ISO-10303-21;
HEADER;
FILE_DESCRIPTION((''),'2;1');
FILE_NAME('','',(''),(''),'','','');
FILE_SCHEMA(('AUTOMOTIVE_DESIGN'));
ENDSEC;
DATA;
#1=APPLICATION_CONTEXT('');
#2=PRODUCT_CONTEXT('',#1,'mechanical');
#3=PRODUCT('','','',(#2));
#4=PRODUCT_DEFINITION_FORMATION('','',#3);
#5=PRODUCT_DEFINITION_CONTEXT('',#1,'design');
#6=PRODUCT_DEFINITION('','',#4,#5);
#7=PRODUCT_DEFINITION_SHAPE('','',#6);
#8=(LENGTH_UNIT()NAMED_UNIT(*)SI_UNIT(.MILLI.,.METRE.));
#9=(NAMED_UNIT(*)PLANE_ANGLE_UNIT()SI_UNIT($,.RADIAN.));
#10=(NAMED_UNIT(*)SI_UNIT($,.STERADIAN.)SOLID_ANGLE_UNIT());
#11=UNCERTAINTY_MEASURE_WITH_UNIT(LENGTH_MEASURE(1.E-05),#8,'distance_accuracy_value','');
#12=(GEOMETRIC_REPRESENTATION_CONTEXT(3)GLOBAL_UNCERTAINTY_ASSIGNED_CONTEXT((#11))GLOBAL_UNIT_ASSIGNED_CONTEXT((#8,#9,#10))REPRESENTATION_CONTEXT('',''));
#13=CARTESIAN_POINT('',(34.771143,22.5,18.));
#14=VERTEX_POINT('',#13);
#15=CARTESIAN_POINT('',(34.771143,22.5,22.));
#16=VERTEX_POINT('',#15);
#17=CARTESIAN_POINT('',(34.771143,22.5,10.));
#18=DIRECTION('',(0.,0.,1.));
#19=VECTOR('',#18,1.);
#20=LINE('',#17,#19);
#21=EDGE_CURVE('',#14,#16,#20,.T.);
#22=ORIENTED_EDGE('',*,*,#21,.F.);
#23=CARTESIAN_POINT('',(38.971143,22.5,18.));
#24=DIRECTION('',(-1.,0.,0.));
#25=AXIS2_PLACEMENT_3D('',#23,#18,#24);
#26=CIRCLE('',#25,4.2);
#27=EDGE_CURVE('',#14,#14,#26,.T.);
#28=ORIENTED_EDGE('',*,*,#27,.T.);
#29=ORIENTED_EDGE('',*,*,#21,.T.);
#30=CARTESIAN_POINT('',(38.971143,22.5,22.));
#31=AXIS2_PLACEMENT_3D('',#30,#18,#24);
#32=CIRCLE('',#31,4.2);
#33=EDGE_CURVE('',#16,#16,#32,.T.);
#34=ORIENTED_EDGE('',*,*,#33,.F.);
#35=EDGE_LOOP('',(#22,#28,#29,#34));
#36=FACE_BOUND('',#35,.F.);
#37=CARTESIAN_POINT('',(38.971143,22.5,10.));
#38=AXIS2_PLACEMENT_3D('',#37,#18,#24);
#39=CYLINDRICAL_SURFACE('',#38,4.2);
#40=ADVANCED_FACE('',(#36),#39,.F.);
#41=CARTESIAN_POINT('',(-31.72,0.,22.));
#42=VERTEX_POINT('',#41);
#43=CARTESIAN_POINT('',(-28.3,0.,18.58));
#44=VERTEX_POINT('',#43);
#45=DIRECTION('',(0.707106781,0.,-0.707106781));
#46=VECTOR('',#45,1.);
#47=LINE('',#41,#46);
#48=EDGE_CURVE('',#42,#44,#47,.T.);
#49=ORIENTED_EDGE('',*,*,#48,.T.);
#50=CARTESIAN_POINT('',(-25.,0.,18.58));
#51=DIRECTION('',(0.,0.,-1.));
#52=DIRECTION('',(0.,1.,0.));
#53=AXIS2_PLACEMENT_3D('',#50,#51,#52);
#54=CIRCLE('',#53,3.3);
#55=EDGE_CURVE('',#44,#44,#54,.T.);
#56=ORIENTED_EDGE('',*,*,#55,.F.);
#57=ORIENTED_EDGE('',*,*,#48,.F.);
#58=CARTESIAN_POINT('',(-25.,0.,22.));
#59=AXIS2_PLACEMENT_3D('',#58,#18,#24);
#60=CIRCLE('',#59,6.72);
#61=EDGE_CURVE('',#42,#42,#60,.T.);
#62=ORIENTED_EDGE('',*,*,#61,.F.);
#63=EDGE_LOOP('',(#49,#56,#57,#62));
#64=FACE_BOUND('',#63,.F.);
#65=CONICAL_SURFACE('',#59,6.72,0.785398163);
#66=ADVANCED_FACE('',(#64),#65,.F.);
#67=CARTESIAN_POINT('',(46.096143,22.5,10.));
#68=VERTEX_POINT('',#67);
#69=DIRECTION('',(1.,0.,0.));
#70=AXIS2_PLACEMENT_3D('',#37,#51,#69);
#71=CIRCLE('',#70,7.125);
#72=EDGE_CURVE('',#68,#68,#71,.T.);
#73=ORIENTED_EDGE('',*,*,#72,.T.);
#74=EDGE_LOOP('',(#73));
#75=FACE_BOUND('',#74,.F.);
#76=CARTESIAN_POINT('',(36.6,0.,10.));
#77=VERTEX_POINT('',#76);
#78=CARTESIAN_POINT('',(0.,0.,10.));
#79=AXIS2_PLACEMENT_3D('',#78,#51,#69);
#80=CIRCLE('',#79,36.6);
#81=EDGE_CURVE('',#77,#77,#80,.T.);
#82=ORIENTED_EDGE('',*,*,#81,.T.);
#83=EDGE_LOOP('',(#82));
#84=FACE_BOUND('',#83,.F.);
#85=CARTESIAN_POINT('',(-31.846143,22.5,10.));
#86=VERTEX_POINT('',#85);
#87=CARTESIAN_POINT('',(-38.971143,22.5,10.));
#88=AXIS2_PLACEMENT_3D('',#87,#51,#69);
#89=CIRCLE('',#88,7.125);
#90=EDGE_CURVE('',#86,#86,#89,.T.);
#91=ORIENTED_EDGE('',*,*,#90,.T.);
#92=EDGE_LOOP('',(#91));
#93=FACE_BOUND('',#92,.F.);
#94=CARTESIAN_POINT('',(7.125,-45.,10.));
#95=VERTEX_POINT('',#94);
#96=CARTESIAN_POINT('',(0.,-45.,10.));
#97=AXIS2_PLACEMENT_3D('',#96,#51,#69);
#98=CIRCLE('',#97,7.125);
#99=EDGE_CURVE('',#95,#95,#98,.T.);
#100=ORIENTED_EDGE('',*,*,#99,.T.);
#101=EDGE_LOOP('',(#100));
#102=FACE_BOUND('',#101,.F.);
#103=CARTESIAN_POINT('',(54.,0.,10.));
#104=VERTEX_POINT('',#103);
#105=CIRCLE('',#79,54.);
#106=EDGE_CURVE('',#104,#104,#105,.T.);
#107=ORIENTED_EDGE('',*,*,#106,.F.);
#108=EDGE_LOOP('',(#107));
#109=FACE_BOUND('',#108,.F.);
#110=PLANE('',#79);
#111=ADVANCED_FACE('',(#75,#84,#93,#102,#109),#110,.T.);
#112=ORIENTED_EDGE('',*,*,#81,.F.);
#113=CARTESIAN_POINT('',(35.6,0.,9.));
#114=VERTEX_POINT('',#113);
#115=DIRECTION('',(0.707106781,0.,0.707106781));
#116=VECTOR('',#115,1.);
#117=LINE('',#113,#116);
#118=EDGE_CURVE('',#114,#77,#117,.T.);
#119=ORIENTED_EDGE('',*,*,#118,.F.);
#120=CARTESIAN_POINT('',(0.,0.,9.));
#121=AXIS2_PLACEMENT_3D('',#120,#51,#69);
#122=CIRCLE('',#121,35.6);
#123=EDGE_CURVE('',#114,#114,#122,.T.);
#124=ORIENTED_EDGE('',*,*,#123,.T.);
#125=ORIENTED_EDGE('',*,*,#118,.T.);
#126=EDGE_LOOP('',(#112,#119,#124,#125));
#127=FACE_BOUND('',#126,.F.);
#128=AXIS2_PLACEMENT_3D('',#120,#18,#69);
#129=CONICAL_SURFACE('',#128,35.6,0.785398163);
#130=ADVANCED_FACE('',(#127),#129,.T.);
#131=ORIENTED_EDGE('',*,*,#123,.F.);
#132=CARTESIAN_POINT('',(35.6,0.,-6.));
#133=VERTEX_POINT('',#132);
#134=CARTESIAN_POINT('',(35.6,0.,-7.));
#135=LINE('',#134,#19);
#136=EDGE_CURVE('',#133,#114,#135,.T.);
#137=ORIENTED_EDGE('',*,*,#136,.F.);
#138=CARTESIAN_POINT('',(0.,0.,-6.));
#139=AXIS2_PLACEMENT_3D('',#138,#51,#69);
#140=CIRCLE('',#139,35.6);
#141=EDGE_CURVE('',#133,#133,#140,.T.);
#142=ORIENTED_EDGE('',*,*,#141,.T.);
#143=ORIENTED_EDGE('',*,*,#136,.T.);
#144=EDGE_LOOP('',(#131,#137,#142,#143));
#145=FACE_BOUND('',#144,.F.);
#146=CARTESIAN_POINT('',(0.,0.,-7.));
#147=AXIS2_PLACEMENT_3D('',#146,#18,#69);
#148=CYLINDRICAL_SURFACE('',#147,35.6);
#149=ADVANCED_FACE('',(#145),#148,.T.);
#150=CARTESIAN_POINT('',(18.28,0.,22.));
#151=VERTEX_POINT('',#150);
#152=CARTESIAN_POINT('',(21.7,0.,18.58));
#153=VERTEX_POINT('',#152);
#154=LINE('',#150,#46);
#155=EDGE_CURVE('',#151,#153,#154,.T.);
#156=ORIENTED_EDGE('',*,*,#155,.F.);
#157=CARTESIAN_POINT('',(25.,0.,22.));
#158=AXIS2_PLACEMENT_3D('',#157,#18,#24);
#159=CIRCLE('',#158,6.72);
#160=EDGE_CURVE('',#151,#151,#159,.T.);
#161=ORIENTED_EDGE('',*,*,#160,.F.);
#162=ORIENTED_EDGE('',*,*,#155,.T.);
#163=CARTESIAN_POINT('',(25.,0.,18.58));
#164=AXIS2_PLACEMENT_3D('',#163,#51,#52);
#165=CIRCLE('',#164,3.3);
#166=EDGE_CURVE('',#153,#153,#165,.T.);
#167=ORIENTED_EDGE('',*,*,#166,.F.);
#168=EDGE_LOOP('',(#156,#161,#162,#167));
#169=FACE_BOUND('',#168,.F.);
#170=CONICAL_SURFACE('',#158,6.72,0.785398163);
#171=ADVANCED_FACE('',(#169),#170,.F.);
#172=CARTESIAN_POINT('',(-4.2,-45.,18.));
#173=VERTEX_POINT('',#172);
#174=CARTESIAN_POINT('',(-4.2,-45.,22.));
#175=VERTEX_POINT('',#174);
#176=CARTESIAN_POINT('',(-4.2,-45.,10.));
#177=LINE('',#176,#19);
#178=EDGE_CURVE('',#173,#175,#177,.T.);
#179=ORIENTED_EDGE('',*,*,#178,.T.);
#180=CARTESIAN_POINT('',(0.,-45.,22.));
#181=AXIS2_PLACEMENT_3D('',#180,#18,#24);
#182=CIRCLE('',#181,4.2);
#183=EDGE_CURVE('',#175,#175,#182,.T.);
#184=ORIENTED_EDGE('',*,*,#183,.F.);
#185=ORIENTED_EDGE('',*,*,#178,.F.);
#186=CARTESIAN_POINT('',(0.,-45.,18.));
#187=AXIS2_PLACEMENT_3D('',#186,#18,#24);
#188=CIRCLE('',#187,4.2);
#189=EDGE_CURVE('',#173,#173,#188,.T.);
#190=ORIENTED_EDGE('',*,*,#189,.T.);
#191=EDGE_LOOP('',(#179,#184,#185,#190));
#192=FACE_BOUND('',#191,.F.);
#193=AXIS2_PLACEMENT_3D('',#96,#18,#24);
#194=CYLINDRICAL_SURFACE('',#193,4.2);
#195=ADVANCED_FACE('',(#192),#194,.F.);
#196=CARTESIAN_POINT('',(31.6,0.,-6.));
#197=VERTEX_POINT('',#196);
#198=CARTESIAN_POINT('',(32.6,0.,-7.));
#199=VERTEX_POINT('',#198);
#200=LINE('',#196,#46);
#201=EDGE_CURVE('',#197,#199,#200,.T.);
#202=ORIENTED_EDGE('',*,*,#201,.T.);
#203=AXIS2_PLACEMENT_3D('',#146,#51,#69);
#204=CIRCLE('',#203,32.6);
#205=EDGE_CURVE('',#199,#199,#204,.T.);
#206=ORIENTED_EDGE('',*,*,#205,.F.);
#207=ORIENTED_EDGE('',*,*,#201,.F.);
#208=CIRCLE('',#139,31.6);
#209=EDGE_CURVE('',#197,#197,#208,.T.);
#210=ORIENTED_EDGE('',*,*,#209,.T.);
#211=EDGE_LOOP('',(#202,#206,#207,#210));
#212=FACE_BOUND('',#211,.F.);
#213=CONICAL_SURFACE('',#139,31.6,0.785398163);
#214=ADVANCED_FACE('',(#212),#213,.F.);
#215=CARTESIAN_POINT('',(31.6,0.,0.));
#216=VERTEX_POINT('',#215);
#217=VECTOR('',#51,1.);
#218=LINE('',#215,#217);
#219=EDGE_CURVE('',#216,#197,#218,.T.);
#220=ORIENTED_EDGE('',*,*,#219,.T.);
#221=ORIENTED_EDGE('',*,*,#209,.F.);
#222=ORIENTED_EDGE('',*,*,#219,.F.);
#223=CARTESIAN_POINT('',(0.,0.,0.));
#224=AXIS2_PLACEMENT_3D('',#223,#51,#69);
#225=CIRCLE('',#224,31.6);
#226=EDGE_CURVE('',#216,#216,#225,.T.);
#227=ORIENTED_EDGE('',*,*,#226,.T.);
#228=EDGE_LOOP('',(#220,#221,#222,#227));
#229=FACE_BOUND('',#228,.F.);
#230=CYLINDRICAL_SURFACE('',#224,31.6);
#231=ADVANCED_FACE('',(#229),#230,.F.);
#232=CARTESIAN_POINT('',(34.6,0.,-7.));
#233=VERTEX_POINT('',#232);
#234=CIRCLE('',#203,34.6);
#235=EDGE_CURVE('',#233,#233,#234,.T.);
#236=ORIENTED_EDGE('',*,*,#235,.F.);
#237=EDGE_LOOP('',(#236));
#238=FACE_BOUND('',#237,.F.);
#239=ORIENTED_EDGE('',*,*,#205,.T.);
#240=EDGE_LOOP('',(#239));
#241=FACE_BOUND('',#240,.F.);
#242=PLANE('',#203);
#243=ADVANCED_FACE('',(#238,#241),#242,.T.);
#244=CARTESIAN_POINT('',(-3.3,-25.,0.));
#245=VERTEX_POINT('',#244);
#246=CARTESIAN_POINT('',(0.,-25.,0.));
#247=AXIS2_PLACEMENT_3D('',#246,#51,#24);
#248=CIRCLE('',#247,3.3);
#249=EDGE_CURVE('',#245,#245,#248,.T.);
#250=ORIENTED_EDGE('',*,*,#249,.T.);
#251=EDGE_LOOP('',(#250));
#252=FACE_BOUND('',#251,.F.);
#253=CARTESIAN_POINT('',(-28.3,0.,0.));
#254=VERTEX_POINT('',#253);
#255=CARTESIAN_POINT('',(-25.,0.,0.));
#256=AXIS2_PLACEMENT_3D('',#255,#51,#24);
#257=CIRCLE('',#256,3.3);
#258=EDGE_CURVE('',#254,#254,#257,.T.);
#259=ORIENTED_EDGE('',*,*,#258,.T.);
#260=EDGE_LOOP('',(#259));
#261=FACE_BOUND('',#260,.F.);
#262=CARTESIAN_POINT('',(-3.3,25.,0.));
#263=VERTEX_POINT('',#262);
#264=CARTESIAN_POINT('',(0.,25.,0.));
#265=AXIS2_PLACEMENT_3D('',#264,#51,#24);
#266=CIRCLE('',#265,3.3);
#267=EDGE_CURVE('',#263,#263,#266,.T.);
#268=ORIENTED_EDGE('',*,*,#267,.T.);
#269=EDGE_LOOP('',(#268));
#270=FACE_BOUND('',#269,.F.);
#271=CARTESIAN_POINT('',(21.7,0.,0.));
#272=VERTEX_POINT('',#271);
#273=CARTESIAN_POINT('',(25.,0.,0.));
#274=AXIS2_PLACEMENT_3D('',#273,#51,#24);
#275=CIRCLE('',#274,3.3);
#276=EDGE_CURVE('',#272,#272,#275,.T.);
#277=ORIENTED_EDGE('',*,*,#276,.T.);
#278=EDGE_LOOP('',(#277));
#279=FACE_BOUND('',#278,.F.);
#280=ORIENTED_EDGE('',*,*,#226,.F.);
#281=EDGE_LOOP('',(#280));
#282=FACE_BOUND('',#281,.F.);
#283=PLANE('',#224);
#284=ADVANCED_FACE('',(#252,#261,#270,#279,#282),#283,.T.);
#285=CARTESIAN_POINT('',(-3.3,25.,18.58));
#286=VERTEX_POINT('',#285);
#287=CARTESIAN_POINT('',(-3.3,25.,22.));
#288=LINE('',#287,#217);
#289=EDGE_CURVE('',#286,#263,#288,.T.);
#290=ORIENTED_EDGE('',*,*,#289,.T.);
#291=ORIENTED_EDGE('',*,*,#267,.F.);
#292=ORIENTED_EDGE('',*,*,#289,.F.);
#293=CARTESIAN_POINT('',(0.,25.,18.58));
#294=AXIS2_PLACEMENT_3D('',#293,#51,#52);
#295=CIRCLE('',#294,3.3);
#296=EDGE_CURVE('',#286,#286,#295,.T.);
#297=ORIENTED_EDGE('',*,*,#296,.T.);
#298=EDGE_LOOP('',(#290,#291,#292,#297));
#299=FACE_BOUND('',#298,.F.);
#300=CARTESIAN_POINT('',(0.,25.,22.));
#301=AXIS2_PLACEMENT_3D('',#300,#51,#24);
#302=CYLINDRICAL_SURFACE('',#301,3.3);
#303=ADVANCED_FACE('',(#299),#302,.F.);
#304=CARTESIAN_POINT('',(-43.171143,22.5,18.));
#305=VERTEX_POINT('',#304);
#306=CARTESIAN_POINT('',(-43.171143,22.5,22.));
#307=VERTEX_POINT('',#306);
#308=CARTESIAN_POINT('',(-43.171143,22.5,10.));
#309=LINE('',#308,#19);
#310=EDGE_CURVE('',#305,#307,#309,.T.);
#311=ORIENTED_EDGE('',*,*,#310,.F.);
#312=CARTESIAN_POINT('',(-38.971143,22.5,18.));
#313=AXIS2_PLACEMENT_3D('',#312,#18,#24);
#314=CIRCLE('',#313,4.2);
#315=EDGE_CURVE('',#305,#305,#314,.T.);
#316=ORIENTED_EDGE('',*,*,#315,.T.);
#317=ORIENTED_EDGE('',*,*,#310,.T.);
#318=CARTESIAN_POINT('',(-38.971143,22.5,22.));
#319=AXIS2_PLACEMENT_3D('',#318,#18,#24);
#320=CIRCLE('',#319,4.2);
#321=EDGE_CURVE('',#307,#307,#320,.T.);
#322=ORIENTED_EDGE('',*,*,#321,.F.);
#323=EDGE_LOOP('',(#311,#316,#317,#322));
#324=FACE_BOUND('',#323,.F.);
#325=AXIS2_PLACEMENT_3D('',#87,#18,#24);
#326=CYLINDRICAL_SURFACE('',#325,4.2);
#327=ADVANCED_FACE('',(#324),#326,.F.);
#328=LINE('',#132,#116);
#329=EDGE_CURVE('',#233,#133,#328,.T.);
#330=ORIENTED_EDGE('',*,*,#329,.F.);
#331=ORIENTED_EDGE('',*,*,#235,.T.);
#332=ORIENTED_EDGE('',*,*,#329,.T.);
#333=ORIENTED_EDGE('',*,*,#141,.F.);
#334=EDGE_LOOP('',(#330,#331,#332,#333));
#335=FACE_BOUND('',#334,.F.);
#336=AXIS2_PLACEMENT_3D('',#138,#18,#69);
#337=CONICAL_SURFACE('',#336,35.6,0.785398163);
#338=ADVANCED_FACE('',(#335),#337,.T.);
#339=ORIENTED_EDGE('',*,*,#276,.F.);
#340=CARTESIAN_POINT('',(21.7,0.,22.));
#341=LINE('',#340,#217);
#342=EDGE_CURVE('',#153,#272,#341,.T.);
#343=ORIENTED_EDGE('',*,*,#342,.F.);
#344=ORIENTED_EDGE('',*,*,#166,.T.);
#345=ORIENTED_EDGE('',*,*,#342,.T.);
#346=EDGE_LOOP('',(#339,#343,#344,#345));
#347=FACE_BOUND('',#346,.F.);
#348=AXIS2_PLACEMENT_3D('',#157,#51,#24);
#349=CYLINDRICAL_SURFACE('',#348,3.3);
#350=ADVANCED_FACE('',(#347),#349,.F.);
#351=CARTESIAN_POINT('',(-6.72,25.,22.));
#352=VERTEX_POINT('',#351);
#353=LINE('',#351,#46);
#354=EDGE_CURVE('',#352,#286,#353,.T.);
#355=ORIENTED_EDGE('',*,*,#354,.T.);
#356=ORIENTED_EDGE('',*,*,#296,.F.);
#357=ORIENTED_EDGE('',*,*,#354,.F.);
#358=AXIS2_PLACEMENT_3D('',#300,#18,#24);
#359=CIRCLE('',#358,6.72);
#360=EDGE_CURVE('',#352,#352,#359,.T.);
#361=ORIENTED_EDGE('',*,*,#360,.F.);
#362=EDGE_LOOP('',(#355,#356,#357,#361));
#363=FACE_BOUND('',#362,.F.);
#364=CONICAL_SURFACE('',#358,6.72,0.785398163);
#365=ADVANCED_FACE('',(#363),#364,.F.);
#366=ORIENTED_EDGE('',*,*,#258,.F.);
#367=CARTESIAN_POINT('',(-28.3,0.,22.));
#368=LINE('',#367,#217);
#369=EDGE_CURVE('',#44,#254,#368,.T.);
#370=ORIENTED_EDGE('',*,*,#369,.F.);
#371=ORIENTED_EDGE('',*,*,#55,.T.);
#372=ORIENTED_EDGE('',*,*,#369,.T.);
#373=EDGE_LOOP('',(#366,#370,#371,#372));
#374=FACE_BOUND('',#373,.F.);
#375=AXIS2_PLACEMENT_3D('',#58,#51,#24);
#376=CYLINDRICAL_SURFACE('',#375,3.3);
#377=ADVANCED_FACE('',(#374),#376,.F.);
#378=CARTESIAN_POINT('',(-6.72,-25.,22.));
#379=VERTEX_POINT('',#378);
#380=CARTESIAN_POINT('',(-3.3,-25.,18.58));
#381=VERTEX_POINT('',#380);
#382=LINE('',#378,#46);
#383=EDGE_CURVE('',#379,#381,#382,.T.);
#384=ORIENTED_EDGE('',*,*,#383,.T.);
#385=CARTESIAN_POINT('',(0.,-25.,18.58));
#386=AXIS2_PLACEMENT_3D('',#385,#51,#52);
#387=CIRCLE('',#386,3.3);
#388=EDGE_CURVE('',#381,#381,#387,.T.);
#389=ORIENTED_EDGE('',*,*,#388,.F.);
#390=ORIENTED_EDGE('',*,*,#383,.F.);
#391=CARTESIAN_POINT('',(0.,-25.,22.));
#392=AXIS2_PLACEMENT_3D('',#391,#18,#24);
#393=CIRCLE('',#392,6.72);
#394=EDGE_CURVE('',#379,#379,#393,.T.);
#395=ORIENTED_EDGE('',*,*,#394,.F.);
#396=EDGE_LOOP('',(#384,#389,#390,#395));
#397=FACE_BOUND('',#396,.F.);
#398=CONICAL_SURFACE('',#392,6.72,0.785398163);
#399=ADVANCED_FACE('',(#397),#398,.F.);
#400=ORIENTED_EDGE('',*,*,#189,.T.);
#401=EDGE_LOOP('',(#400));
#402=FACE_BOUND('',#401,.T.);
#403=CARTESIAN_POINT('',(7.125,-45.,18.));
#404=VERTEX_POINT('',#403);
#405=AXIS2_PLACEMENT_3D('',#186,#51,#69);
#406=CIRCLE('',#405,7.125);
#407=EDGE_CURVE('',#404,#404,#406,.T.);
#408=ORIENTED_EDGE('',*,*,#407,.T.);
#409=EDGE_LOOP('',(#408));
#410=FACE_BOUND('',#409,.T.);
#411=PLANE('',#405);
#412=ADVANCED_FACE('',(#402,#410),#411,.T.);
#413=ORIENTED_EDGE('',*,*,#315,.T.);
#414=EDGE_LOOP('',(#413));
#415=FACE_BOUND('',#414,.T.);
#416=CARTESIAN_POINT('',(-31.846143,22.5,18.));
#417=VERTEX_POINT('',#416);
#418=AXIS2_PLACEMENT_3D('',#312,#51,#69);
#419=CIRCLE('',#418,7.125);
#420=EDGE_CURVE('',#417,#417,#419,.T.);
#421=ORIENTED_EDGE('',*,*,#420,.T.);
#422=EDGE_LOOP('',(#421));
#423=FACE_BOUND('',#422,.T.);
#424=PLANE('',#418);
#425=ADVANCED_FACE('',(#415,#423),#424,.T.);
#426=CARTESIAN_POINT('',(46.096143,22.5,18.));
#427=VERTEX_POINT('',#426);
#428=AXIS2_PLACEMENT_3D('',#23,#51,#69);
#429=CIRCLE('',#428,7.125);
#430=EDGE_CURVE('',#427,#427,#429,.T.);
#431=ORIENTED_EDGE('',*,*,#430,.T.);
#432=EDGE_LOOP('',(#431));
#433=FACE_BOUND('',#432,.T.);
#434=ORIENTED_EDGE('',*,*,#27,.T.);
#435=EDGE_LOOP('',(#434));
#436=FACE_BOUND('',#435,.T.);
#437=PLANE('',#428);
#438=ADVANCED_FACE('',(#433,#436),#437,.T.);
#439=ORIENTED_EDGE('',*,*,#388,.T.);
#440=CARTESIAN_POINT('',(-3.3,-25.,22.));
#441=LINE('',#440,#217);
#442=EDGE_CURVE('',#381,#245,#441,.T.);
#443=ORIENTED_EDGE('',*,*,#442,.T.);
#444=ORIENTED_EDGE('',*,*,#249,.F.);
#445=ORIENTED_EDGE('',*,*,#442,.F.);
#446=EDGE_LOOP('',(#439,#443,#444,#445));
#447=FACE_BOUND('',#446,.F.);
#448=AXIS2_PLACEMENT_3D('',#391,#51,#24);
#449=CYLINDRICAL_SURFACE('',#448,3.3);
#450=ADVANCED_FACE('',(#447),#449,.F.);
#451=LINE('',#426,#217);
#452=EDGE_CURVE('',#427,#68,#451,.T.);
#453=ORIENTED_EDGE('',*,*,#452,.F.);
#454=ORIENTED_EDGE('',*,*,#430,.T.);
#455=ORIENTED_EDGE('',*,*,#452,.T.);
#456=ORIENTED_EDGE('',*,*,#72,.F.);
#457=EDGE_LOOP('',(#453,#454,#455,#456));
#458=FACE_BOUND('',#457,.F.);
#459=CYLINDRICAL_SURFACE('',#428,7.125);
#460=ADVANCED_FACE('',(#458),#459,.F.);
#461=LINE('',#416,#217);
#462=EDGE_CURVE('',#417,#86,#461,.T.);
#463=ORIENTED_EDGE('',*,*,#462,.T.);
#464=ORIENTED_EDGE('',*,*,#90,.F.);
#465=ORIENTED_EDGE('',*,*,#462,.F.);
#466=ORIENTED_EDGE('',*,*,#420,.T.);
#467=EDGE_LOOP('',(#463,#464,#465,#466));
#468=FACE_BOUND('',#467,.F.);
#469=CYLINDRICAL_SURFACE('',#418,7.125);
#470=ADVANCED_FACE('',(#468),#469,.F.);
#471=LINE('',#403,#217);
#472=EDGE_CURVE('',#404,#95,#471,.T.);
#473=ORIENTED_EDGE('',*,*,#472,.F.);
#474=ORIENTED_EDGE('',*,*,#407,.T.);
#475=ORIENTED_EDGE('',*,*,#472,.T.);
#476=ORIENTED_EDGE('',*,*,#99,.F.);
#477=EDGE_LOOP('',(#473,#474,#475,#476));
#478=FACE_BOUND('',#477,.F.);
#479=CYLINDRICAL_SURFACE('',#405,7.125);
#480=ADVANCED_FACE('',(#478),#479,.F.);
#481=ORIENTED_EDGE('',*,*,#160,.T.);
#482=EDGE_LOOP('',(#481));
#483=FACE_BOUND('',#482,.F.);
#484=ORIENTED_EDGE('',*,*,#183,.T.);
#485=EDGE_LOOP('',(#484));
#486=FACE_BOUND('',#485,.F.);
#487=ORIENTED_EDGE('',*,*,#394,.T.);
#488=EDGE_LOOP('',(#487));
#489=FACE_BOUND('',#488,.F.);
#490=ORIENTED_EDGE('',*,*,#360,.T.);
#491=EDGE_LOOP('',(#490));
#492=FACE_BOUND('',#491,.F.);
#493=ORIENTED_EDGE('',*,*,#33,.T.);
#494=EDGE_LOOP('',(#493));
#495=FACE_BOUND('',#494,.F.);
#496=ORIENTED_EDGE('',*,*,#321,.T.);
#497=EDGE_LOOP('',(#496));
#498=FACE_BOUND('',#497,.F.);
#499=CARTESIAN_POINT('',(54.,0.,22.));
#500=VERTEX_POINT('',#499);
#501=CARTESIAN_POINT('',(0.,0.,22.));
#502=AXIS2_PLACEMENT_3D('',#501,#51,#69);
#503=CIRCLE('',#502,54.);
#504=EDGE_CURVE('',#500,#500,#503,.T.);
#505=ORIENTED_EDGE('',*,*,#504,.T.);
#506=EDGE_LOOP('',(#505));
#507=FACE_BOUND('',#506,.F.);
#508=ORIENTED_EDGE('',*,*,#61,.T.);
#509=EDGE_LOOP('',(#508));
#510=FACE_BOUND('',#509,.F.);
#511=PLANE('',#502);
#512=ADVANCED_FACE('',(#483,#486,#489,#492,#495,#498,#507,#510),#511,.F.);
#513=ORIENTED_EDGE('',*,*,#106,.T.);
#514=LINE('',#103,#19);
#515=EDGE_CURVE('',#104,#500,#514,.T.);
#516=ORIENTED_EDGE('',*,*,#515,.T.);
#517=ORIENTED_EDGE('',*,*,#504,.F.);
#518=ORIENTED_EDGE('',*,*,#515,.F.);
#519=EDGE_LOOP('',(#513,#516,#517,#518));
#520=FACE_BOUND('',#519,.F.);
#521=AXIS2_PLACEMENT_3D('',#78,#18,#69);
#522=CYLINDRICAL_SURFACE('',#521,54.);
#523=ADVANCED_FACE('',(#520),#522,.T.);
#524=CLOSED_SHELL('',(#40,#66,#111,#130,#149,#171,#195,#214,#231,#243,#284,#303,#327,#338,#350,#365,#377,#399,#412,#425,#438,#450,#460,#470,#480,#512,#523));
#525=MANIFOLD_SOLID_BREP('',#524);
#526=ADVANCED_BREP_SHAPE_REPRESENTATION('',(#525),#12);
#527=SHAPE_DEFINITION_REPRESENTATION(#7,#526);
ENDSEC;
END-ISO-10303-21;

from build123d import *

# Parameters (mm, degrees)
F2_SIZE        = 1
F4_D           = 6.6
F4_CSINK_D     = 13.44
F4_CSINK_ANGLE = 90
F6_D           = 8.4
F6_CBORE_D     = 14.25
F6_CBORE_DEPTH = 8


with BuildPart() as f1:
    # F0 (on Front) → F1 (revolve)
    with BuildSketch(Plane.XZ):
        Polygon((0, 10), (0, 0), (31.6, 0), (31.6, -7), (35.6, -7), (35.6, 10), align=None)
        Polygon((0, 22), (0, 10), (35.6, 10), (54, 10), (54, 22), align=None)
    revolve(axis=Axis((0, 0, 5), (0, 0, -1)))

    # F2
    f2_edges = [f1.edges().sort_by_distance(p)[0] for p in [
        (-31.6, 0, -7),
        (-35.6, 0, -7),
        (-35.6, 0, 10),
    ]]
    chamfer(f2_edges, length=F2_SIZE)

    # F4 (through all)
    with Locations(Plane.XY.offset(22)):
        with Locations((-25, 0), (25, 0), (0, -25), (0, 25)):
            CounterSinkHole(F4_D / 2, F4_CSINK_D / 2, counter_sink_angle=F4_CSINK_ANGLE)

    # F6 (through all)
    with Locations(Plane(origin=(0, 0, 10), x_dir=(1, 0, 0), z_dir=(0, 0, -1))):
        with Locations((-38.9711431703, -22.5), (38.9711431703, -22.5), (0, 45)):
            CounterBoreHole(F6_D / 2, F6_CBORE_D / 2, F6_CBORE_DEPTH)


solid = f1.part
